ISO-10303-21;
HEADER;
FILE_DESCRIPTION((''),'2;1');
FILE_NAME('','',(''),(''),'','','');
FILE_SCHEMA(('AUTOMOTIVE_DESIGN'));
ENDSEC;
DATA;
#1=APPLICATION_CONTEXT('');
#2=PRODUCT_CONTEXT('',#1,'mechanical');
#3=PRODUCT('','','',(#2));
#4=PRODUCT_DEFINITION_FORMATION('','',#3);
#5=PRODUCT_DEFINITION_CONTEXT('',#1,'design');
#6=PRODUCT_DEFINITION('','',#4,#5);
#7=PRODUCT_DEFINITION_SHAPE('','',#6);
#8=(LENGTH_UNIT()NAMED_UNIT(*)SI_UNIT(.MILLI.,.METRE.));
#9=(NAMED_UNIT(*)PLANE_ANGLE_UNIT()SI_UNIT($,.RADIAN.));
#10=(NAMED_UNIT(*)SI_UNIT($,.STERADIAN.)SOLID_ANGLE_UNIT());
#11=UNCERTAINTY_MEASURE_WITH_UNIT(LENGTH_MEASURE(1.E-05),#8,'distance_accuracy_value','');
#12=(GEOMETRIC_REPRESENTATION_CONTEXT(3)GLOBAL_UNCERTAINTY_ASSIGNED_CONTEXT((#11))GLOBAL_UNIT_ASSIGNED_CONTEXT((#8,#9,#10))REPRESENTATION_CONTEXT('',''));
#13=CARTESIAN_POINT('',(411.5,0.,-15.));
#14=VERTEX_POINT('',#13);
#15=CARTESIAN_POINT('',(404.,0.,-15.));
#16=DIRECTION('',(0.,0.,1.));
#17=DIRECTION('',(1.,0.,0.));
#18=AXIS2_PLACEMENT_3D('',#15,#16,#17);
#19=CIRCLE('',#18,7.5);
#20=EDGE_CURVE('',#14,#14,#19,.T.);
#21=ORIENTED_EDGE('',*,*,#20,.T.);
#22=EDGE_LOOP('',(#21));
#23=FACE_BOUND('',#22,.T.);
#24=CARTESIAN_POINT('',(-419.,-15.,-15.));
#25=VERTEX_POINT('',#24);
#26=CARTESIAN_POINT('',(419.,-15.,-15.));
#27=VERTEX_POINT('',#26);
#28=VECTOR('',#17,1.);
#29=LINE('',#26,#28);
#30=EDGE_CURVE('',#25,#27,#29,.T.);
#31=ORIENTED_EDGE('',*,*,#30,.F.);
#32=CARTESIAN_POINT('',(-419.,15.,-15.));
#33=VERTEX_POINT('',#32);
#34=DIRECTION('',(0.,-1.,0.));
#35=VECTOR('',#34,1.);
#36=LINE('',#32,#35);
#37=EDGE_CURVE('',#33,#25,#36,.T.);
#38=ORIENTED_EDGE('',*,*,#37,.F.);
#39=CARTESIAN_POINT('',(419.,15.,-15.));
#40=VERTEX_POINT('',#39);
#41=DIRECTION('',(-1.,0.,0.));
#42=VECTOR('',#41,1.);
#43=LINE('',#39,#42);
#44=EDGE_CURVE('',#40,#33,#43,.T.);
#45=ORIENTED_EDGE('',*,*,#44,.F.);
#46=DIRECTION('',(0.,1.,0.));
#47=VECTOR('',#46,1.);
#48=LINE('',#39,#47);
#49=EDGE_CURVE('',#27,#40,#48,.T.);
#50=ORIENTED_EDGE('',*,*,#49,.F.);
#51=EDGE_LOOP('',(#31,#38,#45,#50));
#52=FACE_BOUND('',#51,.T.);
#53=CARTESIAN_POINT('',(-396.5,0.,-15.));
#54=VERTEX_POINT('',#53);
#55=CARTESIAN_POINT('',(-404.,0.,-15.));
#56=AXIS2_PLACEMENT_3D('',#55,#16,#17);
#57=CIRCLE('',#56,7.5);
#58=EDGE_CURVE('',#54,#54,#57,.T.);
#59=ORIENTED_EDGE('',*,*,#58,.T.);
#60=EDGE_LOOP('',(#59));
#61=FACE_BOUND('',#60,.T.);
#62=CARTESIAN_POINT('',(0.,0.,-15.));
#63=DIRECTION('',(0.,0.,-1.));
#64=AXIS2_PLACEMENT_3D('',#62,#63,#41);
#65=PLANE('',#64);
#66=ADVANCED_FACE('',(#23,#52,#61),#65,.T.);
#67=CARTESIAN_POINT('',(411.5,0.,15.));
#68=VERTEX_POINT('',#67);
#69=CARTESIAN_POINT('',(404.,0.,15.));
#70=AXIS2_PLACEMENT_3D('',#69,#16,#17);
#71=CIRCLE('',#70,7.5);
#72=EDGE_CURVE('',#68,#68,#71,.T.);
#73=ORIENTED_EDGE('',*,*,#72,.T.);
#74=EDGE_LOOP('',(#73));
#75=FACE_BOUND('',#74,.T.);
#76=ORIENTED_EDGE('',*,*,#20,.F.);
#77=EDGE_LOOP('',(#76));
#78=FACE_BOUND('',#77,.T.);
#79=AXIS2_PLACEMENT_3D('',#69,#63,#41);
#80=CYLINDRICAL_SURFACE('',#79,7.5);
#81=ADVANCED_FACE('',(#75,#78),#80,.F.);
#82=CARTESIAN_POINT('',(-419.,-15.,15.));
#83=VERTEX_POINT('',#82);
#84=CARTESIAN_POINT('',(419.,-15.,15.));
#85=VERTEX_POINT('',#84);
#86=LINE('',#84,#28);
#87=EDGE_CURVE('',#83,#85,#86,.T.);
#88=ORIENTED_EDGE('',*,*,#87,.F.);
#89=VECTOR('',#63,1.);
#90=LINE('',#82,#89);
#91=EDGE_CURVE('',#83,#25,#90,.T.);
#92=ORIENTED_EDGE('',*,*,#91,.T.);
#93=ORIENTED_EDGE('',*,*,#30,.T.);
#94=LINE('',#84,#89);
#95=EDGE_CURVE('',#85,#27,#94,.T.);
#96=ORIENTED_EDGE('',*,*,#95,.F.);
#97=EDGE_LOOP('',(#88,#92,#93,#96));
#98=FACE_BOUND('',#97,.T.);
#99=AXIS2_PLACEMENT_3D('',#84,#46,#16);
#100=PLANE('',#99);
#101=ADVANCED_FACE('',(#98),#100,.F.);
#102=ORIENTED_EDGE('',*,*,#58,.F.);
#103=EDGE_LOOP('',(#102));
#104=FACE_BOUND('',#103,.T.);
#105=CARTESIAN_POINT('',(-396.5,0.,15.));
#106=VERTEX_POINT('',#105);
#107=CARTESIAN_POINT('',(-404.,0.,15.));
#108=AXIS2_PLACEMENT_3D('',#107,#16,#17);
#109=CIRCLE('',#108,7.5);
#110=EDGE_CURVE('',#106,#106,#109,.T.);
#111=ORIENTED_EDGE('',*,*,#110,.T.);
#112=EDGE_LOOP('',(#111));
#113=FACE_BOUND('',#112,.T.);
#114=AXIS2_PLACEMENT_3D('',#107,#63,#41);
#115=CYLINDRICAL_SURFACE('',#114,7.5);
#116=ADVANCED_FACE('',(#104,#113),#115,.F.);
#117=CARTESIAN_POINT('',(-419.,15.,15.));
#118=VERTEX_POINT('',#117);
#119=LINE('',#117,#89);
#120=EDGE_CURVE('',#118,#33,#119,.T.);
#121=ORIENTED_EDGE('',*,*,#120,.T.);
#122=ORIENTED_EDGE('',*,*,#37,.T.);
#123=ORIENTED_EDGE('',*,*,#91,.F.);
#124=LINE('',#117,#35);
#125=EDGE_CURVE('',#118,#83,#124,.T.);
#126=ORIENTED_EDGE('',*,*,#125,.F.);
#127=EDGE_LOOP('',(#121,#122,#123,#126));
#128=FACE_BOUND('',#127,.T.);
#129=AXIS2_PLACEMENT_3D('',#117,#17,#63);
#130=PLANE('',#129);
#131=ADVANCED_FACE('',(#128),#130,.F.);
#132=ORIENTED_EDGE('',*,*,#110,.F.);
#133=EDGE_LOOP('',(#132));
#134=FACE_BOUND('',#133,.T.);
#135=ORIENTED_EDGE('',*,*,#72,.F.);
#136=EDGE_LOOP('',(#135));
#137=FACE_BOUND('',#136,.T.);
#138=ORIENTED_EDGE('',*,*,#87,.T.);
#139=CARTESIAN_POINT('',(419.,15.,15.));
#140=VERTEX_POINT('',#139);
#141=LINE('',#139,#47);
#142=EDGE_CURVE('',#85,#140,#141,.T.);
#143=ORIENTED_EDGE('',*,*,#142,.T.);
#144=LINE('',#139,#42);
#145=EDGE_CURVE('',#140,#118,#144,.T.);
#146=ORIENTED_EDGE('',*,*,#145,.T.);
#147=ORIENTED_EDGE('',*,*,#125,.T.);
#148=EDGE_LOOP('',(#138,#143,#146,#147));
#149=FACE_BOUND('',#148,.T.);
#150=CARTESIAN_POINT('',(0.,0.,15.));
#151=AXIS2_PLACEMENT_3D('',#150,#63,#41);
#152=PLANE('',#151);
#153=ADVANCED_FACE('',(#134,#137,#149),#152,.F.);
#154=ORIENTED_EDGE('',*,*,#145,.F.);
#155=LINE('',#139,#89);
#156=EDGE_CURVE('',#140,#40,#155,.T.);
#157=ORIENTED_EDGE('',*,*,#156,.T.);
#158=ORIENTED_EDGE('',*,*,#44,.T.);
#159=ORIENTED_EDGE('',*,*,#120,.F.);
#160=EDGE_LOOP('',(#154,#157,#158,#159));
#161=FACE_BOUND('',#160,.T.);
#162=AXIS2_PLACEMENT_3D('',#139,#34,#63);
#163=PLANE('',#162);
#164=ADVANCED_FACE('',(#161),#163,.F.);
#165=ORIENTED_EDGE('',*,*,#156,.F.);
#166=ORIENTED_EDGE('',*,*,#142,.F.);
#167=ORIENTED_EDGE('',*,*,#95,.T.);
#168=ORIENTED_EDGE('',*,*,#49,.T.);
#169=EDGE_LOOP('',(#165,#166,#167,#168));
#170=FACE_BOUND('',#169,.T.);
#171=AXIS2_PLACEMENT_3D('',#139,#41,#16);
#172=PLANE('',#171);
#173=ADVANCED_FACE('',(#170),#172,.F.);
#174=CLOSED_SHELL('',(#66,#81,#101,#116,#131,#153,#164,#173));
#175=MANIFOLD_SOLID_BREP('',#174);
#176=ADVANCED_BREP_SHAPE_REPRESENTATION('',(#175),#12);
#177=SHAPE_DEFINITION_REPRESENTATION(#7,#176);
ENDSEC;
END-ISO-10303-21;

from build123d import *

# Parameters (mm, degrees)
SKETCH1_W           = 838
SKETCH1_H           = 30
SKETCH1_R           = 7.5
BOSS_EXTRUDE1_DEPTH = 15


with BuildPart() as part:
    # Sketch1 → Boss-Extrude1 (new, symmetric)
    with BuildSketch(Plane.XY):
        Rectangle(SKETCH1_W, SKETCH1_H)
        with Locations((-404, 0)):
            Circle(SKETCH1_R, mode=Mode.SUBTRACT)
        with Locations((404, 0)):
            Circle(SKETCH1_R, mode=Mode.SUBTRACT)
    extrude(amount=BOSS_EXTRUDE1_DEPTH, both=True)


solid = part.part
